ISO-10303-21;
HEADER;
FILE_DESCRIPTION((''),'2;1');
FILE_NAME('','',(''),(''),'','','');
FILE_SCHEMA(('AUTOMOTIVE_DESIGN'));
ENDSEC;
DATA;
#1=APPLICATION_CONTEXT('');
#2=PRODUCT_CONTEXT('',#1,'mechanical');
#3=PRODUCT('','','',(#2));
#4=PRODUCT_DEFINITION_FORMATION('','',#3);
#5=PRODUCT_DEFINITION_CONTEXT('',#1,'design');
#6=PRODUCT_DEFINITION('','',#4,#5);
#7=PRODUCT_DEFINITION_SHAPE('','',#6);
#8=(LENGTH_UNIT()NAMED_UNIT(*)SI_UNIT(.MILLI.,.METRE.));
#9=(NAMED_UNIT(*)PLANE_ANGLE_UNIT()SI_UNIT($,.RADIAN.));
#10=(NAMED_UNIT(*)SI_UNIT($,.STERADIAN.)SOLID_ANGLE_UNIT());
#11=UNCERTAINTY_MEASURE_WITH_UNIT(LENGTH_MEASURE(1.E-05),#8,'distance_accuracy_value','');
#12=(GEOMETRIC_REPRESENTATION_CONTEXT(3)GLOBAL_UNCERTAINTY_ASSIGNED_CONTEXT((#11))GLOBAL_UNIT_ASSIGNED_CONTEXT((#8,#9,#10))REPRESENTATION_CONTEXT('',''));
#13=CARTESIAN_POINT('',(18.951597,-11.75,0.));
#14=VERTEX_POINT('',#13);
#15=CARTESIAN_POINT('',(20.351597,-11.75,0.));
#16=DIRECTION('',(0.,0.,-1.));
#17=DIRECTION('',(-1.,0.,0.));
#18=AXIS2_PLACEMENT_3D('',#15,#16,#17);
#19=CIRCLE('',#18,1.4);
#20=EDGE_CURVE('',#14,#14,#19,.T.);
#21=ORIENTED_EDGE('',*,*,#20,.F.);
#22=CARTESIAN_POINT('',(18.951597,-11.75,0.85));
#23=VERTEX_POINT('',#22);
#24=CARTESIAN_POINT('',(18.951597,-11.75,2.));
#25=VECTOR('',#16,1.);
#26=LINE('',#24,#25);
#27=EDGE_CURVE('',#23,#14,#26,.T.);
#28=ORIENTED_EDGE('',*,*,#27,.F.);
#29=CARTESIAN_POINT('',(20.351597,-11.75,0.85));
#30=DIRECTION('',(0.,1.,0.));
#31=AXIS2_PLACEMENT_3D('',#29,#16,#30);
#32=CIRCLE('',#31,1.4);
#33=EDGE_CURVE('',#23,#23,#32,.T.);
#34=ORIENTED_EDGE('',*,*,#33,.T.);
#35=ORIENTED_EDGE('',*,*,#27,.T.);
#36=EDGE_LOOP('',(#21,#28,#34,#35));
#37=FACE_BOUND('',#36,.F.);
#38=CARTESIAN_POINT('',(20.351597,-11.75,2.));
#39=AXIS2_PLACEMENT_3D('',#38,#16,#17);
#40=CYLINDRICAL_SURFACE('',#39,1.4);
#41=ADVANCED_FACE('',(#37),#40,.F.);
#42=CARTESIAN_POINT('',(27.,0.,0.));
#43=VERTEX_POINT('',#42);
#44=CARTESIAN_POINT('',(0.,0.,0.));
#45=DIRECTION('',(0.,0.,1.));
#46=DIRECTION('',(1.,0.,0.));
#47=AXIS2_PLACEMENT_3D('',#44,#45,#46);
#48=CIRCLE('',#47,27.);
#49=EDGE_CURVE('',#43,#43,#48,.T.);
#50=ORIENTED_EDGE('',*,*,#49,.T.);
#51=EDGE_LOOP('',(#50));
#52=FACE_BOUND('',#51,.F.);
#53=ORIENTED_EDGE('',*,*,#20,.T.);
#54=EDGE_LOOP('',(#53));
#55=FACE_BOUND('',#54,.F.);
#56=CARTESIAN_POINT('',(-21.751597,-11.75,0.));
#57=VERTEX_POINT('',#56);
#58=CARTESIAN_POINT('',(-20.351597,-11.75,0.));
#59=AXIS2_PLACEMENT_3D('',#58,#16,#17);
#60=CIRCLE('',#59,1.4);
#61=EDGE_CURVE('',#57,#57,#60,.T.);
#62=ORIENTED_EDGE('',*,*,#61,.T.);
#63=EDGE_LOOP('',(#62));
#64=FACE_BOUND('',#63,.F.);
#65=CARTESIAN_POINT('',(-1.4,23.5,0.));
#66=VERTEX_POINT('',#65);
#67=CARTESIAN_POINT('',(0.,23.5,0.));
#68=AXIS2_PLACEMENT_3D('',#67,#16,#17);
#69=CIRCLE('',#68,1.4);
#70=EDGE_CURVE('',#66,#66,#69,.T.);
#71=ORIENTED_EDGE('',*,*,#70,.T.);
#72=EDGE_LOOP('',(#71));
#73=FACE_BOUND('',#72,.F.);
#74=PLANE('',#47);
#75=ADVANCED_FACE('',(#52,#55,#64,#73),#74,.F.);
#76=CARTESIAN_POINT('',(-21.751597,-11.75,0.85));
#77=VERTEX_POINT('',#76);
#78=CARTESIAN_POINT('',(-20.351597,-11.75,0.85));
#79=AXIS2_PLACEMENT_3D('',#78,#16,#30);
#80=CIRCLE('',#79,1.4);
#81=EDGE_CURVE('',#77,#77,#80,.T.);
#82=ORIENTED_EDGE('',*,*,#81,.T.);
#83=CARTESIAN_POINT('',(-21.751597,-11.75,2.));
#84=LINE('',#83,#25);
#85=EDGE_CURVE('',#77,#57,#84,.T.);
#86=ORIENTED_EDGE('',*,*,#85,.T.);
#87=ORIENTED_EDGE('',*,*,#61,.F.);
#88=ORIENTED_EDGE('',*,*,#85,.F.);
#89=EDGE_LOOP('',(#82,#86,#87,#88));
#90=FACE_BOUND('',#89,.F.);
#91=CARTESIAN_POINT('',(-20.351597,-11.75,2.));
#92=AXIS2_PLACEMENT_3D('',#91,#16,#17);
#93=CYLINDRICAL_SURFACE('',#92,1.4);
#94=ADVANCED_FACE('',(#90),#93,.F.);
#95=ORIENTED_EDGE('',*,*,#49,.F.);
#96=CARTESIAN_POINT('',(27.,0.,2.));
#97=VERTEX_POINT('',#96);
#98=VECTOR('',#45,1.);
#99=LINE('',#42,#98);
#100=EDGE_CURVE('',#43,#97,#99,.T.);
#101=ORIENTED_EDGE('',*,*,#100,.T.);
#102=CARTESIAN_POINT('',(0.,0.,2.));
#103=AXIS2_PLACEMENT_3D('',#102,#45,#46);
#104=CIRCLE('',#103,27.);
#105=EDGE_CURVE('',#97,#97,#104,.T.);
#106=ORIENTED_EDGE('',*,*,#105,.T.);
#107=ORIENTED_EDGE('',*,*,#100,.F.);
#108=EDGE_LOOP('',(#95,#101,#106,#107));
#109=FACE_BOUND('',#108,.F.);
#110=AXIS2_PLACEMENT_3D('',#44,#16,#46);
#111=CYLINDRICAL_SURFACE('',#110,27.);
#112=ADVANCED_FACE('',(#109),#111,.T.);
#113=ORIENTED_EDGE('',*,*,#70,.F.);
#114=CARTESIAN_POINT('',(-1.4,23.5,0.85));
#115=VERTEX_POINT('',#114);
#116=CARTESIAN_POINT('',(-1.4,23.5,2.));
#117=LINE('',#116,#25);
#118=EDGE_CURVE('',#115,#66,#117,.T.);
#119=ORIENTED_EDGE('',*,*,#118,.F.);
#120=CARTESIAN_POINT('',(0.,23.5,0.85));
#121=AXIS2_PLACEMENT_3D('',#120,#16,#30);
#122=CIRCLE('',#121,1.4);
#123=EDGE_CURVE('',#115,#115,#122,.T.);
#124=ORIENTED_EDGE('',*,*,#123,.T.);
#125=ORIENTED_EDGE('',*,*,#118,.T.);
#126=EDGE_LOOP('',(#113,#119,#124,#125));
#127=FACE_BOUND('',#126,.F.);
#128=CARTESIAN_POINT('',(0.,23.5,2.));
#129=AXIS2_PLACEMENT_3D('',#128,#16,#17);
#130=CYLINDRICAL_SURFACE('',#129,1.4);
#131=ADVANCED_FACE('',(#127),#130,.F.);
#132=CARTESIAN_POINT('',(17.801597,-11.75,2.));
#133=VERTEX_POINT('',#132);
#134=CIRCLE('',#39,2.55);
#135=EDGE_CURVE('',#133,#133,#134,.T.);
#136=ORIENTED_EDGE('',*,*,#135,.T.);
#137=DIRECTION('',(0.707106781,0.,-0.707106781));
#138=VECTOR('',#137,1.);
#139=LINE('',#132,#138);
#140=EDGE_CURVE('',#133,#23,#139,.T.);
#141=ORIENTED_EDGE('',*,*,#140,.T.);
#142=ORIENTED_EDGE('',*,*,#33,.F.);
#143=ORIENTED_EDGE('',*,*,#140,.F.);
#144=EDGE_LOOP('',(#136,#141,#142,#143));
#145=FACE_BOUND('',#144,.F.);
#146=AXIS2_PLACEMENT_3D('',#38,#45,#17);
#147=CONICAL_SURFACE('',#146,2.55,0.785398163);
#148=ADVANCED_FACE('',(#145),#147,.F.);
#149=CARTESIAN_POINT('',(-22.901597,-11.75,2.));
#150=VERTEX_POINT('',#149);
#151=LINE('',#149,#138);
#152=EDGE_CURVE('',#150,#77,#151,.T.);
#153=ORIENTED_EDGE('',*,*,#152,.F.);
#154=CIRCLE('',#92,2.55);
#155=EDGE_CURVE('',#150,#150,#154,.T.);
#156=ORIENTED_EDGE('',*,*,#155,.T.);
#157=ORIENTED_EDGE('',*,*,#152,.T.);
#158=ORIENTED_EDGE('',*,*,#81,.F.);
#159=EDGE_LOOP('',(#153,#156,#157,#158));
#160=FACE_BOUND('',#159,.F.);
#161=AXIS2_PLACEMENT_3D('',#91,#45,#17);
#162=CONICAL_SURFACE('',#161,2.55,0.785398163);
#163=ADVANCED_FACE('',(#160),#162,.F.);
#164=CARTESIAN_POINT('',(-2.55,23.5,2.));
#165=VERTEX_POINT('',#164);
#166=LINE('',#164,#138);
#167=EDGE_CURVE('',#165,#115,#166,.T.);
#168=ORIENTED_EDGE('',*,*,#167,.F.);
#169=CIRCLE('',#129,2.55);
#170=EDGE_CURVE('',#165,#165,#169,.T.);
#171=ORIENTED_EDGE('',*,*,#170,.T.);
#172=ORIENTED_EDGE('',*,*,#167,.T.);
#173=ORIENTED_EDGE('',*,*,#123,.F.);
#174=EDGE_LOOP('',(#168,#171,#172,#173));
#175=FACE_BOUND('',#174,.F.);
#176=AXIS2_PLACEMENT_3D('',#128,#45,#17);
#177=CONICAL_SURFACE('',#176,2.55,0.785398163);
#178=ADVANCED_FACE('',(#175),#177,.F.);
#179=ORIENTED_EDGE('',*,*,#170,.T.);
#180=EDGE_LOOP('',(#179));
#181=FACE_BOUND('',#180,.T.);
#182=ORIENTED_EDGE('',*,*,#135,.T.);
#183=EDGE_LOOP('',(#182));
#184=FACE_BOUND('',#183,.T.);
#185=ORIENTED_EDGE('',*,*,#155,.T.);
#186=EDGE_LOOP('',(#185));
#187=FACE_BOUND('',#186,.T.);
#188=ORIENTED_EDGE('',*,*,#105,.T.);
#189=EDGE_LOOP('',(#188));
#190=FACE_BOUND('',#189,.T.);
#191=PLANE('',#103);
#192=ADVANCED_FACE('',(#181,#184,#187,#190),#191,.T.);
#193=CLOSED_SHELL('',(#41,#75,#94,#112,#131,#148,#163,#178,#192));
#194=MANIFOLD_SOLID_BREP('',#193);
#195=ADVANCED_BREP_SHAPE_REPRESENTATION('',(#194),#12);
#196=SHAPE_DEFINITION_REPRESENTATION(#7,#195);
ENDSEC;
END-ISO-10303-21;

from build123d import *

# Parameters (mm, degrees)
F0_R           = 27
F1_DEPTH       = 2
F3_D           = 2.8
F3_CSINK_D     = 5.1
F3_CSINK_ANGLE = 90


with BuildPart() as f1:
    # F0 (on Top) → F1 (new body)
    with BuildSketch(Plane.XY):
        Circle(F0_R)
    extrude(amount=F1_DEPTH)

    # F3 (through all)
    with Locations(Plane.XY.offset(2)):
        with Locations((0, 23.5), (-20.351597, -11.75), (20.351597, -11.75)):
            CounterSinkHole(F3_D / 2, F3_CSINK_D / 2, counter_sink_angle=F3_CSINK_ANGLE)


solid = f1.part
